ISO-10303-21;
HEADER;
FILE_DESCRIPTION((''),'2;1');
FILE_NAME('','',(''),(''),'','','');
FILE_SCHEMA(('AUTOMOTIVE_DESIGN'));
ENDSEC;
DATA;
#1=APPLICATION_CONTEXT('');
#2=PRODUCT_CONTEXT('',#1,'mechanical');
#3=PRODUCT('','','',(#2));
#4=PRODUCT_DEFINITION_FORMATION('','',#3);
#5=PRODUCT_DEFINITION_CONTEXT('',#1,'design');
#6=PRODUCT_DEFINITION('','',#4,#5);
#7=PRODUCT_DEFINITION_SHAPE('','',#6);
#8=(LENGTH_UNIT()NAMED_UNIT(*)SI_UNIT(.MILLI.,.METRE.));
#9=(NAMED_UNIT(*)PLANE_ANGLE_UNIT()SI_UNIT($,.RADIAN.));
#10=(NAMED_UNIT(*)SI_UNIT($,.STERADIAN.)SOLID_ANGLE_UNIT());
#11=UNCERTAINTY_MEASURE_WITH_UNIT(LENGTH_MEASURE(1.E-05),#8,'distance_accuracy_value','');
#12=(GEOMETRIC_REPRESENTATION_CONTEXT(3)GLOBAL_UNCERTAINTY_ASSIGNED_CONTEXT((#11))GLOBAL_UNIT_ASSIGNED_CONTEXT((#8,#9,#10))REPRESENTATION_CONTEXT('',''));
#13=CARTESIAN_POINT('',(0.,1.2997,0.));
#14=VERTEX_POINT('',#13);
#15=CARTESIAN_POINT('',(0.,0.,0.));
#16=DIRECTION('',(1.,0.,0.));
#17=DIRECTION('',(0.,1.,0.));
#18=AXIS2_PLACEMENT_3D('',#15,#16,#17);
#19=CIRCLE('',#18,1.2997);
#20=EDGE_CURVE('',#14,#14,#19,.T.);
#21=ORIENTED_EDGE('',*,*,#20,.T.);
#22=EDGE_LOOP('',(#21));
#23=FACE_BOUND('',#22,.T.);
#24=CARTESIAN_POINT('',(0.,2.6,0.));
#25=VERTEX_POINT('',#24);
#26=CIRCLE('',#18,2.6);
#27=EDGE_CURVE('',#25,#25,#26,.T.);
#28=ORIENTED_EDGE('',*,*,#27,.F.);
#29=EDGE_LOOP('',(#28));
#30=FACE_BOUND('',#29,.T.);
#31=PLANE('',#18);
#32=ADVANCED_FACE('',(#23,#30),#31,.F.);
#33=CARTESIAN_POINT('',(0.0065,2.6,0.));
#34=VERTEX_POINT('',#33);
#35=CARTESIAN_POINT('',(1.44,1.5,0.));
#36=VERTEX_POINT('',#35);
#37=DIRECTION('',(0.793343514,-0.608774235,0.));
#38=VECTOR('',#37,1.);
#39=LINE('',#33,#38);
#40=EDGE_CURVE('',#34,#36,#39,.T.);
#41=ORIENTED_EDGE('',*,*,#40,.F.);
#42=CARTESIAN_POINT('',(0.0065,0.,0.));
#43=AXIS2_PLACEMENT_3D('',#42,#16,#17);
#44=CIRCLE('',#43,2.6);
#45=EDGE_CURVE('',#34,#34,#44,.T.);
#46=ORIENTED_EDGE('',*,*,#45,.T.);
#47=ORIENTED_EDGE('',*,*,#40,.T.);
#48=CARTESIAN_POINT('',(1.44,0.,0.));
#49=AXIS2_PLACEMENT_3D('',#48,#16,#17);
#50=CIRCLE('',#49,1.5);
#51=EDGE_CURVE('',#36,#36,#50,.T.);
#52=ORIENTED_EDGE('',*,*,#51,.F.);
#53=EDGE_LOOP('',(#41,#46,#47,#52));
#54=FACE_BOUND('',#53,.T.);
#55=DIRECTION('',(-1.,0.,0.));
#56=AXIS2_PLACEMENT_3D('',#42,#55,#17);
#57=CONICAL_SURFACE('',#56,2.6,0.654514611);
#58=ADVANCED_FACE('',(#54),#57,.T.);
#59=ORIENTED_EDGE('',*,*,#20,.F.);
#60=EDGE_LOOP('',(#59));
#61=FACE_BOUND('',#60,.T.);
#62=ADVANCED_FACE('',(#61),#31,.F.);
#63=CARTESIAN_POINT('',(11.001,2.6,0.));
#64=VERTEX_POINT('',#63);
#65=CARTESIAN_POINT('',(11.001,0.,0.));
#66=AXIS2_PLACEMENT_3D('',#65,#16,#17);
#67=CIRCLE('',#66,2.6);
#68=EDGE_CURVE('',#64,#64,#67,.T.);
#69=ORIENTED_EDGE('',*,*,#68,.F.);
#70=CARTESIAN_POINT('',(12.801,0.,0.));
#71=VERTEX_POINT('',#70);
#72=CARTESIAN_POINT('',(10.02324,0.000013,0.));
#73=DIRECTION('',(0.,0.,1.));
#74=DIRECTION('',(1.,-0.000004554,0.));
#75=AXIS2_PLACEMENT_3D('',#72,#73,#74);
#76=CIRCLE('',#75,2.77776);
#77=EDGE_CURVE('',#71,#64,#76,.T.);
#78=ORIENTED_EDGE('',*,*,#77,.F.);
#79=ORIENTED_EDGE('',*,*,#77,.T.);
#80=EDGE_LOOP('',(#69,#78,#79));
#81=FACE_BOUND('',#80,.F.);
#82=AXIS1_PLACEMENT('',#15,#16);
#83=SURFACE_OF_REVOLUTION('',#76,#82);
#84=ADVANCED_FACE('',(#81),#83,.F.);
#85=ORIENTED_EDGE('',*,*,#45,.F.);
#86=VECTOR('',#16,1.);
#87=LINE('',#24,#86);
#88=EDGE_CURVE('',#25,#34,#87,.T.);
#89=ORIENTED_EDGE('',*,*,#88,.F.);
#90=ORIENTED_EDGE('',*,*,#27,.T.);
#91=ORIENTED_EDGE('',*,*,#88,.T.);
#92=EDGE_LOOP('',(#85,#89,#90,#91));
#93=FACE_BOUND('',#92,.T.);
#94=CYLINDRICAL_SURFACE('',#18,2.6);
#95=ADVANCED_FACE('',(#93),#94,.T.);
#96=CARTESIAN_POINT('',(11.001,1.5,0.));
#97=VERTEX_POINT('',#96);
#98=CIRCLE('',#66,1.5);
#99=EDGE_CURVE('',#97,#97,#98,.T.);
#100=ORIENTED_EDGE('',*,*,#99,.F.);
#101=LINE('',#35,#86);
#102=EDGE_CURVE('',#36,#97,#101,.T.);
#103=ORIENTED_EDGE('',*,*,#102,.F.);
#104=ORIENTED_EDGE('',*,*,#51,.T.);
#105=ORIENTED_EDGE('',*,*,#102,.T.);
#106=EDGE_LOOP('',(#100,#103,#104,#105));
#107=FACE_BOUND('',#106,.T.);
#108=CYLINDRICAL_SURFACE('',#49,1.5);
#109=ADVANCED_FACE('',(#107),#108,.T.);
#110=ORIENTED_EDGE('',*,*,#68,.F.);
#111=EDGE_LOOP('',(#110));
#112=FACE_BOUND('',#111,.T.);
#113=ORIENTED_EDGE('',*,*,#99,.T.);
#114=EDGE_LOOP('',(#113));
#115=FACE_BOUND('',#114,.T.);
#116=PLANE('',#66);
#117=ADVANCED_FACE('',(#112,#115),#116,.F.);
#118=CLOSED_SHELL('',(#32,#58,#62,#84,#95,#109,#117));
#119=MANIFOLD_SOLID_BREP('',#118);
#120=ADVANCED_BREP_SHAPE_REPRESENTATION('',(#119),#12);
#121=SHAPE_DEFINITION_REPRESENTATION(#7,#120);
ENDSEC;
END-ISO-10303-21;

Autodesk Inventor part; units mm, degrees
ref_plane "YZ Plane" through (0, 0, 0) normal (1, 0, 0) x (0, 1, 0)
ref_plane "XZ Plane" through (0, 0, 0) normal (0, 1, 0) x (-1, 0, 0)
ref_plane "XY Plane" through (0, 0, 0) normal (0, 0, 1) x (1, 0, 0)
sketch "Sketch" plane through (0, 0, 0) normal (0, 0, 1) x (1, 0, 0)
  line L0 (0, 0) -> (0, 2.6)
  line L1 (0, 2.6) -> (0.0065, 2.6)
  line L2 (0.0065, 2.6) -> (1.44, 1.5)
  line L3 (1.44, 1.5) -> (11.001, 1.5)
  line L4 (11.001, 1.5) -> (11.001, 2.6)
  line L5 (0, 0) -> (12.801, 0)
  arc A0 (12.801, 0) -> (11.001, 2.6) centre (10.0232, 0) ccw
  line L6 (-0.2879, 0) -> (1.7274, 0) projected
  line L7 (0, -0.2166) -> (0, 1.2997) projected
  dimension "d0" = 5.2
  dimension "d1" = 3
  dimension "d2" = 5.2
  dimension "d3" = 1.44
  dimension "d4" = 1.8
  dimension "d5" = 11.001
  dimension "d6" = 37.5
revolve "Body" add sketch "Sketch" angle 360 about axis through (0, 0, 0) along (1, 0, 0)
equation "\"d0\" = KOD"
equation "\"d1\" = NND1"
equation "\"d2\" = KOD1"
equation "\"d3\" = KOH"
equation "\"d4\" = KOH1"
equation "\"d6\" = 0.5 * SEWI"
equation "\"KLG\" = 11"
equation "\"NND1\" = 3"
equation "\"KOH\" = 1.44"
equation "\"KOD\" = 5.2"
equation "\"SEWI\" = 75deg"
equation "\"KOH1\" = 1.8"
equation "\"KOD1\" = 5.2"
equation "\"NLG\" = 16"
equation "\"KLGMIN\" = 1.8"
equation "\"NND\" = 3"
equation "\"KLGMAX\" = 11"
properties part number "DIN 661 - A 3 x 16" material "Steel, Mild"
